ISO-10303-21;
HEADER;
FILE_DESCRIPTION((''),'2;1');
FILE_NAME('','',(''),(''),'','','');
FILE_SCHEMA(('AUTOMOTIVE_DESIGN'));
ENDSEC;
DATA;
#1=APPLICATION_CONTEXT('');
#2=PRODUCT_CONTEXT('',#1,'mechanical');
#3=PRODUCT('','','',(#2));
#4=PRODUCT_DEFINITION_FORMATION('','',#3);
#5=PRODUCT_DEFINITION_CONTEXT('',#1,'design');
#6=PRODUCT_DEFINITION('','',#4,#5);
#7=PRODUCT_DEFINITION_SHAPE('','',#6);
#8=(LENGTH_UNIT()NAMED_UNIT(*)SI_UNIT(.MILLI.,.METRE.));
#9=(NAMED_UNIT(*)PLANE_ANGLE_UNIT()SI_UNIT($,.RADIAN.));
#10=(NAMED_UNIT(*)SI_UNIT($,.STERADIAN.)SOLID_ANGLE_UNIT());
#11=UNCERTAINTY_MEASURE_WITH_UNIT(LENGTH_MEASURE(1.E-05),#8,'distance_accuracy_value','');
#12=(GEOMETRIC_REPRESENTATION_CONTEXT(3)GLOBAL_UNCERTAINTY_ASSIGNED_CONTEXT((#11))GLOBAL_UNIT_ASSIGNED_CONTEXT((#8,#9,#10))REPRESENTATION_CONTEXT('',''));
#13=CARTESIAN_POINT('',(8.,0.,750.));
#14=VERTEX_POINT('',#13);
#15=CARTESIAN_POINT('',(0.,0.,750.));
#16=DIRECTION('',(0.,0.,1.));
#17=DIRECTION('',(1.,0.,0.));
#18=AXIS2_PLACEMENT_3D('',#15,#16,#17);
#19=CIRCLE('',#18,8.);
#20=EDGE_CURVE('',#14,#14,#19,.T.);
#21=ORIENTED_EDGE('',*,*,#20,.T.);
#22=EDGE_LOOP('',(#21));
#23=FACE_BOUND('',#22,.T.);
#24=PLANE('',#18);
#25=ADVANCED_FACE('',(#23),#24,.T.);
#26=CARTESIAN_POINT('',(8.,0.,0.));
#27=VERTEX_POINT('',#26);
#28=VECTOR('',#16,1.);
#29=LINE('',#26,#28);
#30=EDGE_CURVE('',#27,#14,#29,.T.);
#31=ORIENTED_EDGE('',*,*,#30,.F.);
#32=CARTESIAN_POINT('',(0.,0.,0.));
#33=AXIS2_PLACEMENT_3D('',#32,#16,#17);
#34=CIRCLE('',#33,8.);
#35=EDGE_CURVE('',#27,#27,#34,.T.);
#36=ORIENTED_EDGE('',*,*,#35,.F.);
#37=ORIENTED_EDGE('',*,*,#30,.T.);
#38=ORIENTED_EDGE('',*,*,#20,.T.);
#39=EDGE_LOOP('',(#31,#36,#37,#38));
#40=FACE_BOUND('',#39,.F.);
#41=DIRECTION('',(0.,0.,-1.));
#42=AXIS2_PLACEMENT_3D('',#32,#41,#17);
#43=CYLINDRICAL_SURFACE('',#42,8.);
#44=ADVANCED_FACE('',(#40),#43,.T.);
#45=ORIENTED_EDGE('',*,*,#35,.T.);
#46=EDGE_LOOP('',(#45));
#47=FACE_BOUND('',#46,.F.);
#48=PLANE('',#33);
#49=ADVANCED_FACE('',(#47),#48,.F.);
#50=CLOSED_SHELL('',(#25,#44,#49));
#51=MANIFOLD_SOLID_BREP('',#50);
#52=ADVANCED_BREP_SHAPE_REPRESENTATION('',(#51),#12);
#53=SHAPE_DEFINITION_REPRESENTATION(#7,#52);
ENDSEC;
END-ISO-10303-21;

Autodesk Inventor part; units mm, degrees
ref_plane "YZ Plane" through (0, 0, 0) normal (1, 0, 0) x (0, 1, 0)
ref_plane "XZ Plane" through (0, 0, 0) normal (0, 1, 0) x (-1, 0, 0)
ref_plane "XY Plane" through (0, 0, 0) normal (0, 0, 1) x (1, 0, 0)
sketch "Sketch1" plane through (0, 0, 0) normal (0, 0, 1) x (1, 0, 0)
  circle A0 centre (0, 0) radius 8
  dimension "d0" = 16
extrude "Extrusion1" add sketch "Sketch1" along normal blind 750
properties part number "Quick Shaft 12mm x 500mm" material "Steel, Carbon"
